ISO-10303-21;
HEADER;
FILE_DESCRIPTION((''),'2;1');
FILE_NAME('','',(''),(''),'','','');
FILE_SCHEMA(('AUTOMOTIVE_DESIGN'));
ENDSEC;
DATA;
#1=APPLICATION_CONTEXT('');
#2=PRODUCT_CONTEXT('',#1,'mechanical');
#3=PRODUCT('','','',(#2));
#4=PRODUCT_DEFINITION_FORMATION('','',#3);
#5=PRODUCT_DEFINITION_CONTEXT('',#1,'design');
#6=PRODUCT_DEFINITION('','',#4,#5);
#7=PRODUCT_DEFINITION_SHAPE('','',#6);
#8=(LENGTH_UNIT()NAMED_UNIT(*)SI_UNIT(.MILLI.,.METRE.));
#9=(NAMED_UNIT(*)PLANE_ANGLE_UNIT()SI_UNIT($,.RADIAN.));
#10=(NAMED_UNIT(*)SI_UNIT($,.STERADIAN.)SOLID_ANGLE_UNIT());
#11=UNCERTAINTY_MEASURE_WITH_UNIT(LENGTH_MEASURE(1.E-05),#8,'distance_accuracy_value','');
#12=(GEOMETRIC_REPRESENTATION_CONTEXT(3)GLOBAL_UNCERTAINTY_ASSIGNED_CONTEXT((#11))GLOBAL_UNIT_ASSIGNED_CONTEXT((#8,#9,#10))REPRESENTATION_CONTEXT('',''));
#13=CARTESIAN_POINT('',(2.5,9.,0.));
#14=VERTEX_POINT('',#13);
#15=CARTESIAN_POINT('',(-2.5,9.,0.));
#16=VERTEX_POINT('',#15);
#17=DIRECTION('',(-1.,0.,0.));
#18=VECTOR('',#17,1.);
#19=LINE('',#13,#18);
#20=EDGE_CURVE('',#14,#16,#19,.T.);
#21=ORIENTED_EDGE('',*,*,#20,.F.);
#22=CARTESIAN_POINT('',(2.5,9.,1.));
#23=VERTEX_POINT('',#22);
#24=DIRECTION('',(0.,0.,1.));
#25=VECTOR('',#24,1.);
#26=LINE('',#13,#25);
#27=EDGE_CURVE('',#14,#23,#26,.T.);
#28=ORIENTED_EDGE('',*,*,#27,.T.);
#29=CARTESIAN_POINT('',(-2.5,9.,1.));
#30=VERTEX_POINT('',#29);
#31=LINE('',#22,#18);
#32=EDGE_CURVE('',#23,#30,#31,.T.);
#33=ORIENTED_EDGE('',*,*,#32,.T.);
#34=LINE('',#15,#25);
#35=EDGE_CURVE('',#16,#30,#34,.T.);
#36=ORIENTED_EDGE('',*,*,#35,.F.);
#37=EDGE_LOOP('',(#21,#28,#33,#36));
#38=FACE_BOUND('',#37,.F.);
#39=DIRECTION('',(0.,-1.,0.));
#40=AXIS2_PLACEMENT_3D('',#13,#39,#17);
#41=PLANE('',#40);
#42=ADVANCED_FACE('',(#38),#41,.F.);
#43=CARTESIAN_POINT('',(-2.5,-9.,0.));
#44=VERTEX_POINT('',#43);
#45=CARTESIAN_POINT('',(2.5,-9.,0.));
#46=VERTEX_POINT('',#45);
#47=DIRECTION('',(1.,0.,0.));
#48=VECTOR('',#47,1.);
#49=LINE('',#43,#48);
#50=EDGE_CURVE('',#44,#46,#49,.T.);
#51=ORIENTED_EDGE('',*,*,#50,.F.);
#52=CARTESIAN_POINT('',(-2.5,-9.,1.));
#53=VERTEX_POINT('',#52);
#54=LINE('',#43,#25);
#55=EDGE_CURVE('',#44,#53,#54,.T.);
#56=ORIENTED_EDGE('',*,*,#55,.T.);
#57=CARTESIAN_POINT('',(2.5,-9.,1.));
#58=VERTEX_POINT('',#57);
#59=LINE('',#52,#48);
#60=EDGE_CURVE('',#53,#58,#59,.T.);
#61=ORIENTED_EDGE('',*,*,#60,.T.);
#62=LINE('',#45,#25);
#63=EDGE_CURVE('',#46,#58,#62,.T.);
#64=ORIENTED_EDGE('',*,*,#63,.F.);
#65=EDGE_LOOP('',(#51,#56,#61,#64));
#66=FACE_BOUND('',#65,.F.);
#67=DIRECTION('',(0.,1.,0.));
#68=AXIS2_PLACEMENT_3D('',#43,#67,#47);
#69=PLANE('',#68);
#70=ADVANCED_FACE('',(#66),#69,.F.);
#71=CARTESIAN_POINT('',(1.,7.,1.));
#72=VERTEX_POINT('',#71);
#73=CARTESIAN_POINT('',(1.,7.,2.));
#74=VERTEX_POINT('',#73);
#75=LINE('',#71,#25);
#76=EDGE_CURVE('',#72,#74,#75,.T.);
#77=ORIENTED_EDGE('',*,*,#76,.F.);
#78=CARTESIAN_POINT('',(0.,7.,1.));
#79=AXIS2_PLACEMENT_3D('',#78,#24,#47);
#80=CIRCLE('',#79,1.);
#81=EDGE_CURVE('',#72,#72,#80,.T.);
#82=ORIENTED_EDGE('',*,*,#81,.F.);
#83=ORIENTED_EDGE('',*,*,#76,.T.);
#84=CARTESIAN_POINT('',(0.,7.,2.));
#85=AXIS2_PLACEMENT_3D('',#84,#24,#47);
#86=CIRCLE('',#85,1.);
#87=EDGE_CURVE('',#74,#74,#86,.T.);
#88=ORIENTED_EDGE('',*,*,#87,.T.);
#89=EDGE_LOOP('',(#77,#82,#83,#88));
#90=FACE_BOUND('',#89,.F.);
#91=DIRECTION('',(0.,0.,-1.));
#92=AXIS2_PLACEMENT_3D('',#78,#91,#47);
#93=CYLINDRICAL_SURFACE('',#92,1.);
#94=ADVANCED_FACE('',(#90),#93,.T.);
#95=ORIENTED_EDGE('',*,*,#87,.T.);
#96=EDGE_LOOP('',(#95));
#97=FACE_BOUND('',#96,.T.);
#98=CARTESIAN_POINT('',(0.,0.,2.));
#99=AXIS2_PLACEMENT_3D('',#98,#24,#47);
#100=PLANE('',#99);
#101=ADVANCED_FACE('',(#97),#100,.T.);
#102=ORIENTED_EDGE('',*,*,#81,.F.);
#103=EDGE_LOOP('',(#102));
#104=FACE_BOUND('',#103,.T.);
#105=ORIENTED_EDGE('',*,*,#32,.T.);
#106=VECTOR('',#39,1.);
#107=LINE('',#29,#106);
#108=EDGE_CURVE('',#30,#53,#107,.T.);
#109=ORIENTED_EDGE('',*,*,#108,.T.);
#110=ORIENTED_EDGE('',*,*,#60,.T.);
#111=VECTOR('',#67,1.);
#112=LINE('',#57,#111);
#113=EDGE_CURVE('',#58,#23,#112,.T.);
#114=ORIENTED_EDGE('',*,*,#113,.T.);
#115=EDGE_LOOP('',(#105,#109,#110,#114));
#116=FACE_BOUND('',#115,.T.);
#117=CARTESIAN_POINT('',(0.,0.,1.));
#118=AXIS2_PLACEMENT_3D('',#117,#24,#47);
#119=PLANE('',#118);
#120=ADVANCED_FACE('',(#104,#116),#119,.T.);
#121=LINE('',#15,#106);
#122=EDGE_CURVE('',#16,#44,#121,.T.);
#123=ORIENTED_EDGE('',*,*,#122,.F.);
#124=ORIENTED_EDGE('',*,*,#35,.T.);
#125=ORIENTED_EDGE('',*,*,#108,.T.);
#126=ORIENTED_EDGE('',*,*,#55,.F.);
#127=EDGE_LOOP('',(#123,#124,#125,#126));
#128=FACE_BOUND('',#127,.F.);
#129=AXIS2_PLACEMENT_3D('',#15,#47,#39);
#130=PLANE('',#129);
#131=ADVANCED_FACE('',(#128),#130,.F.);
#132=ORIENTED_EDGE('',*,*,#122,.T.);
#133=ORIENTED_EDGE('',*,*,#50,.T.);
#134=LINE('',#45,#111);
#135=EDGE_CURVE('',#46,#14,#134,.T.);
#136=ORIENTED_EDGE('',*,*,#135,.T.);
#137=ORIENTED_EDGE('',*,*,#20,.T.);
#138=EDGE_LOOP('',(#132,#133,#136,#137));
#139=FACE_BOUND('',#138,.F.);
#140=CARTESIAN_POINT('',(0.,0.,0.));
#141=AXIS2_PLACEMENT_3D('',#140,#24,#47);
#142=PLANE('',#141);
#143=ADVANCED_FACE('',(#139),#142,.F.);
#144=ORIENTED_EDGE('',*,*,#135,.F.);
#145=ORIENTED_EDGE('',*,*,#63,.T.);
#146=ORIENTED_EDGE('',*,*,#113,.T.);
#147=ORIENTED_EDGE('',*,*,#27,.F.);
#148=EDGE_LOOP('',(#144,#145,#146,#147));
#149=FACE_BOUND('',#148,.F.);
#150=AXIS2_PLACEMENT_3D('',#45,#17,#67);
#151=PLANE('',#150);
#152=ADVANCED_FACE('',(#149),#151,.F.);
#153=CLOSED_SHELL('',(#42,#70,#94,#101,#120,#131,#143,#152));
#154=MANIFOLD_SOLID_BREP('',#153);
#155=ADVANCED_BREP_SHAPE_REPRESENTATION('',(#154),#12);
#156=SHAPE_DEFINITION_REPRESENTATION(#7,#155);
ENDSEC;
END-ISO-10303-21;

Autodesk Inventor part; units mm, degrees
ref_plane "YZ Plane" through (0, 0, 0) normal (1, 0, 0) x (0, 1, 0)
ref_plane "XZ Plane" through (0, 0, 0) normal (0, 1, 0) x (-1, 0, 0)
ref_plane "XY Plane" through (0, 0, 0) normal (0, 0, 1) x (1, 0, 0)
sketch "스케치1" plane through (0, 0, 0) normal (0, 0, 1) x (1, 0, 0)
  line L0 (-2.5, -9) -> (2.5, -9)
  line L1 (2.5, -9) -> (2.5, 9)
  line L2 (2.5, 9) -> (-2.5, 9)
  line L3 (-2.5, 9) -> (-2.5, -9)
  line L4 (-2.5, -9) -> (2.5, 9) construction
  line L5 (2.5, -9) -> (-2.5, 9) construction
  point P0 (0, 0)
  dimension "d0" = 5
  dimension "d1" = 18
extrude "돌출1" add sketch "스케치1" along normal blind 1
sketch "스케치2" plane through (0, 0, 1) normal (0, 0, 1) x (1, 0, 0)
  circle A0 centre (0, 7) radius 1
  line L0 (-3.5, 0) -> (3.5, 0) construction
  line L1 (0, -12.6) -> (0, 12.6) construction
  point P0 (0, 0)
  dimension "d4" = 2
  dimension "d5" = 7
extrude "돌출2" add sketch "스케치2" along normal blind 1
properties part number "수직축"
